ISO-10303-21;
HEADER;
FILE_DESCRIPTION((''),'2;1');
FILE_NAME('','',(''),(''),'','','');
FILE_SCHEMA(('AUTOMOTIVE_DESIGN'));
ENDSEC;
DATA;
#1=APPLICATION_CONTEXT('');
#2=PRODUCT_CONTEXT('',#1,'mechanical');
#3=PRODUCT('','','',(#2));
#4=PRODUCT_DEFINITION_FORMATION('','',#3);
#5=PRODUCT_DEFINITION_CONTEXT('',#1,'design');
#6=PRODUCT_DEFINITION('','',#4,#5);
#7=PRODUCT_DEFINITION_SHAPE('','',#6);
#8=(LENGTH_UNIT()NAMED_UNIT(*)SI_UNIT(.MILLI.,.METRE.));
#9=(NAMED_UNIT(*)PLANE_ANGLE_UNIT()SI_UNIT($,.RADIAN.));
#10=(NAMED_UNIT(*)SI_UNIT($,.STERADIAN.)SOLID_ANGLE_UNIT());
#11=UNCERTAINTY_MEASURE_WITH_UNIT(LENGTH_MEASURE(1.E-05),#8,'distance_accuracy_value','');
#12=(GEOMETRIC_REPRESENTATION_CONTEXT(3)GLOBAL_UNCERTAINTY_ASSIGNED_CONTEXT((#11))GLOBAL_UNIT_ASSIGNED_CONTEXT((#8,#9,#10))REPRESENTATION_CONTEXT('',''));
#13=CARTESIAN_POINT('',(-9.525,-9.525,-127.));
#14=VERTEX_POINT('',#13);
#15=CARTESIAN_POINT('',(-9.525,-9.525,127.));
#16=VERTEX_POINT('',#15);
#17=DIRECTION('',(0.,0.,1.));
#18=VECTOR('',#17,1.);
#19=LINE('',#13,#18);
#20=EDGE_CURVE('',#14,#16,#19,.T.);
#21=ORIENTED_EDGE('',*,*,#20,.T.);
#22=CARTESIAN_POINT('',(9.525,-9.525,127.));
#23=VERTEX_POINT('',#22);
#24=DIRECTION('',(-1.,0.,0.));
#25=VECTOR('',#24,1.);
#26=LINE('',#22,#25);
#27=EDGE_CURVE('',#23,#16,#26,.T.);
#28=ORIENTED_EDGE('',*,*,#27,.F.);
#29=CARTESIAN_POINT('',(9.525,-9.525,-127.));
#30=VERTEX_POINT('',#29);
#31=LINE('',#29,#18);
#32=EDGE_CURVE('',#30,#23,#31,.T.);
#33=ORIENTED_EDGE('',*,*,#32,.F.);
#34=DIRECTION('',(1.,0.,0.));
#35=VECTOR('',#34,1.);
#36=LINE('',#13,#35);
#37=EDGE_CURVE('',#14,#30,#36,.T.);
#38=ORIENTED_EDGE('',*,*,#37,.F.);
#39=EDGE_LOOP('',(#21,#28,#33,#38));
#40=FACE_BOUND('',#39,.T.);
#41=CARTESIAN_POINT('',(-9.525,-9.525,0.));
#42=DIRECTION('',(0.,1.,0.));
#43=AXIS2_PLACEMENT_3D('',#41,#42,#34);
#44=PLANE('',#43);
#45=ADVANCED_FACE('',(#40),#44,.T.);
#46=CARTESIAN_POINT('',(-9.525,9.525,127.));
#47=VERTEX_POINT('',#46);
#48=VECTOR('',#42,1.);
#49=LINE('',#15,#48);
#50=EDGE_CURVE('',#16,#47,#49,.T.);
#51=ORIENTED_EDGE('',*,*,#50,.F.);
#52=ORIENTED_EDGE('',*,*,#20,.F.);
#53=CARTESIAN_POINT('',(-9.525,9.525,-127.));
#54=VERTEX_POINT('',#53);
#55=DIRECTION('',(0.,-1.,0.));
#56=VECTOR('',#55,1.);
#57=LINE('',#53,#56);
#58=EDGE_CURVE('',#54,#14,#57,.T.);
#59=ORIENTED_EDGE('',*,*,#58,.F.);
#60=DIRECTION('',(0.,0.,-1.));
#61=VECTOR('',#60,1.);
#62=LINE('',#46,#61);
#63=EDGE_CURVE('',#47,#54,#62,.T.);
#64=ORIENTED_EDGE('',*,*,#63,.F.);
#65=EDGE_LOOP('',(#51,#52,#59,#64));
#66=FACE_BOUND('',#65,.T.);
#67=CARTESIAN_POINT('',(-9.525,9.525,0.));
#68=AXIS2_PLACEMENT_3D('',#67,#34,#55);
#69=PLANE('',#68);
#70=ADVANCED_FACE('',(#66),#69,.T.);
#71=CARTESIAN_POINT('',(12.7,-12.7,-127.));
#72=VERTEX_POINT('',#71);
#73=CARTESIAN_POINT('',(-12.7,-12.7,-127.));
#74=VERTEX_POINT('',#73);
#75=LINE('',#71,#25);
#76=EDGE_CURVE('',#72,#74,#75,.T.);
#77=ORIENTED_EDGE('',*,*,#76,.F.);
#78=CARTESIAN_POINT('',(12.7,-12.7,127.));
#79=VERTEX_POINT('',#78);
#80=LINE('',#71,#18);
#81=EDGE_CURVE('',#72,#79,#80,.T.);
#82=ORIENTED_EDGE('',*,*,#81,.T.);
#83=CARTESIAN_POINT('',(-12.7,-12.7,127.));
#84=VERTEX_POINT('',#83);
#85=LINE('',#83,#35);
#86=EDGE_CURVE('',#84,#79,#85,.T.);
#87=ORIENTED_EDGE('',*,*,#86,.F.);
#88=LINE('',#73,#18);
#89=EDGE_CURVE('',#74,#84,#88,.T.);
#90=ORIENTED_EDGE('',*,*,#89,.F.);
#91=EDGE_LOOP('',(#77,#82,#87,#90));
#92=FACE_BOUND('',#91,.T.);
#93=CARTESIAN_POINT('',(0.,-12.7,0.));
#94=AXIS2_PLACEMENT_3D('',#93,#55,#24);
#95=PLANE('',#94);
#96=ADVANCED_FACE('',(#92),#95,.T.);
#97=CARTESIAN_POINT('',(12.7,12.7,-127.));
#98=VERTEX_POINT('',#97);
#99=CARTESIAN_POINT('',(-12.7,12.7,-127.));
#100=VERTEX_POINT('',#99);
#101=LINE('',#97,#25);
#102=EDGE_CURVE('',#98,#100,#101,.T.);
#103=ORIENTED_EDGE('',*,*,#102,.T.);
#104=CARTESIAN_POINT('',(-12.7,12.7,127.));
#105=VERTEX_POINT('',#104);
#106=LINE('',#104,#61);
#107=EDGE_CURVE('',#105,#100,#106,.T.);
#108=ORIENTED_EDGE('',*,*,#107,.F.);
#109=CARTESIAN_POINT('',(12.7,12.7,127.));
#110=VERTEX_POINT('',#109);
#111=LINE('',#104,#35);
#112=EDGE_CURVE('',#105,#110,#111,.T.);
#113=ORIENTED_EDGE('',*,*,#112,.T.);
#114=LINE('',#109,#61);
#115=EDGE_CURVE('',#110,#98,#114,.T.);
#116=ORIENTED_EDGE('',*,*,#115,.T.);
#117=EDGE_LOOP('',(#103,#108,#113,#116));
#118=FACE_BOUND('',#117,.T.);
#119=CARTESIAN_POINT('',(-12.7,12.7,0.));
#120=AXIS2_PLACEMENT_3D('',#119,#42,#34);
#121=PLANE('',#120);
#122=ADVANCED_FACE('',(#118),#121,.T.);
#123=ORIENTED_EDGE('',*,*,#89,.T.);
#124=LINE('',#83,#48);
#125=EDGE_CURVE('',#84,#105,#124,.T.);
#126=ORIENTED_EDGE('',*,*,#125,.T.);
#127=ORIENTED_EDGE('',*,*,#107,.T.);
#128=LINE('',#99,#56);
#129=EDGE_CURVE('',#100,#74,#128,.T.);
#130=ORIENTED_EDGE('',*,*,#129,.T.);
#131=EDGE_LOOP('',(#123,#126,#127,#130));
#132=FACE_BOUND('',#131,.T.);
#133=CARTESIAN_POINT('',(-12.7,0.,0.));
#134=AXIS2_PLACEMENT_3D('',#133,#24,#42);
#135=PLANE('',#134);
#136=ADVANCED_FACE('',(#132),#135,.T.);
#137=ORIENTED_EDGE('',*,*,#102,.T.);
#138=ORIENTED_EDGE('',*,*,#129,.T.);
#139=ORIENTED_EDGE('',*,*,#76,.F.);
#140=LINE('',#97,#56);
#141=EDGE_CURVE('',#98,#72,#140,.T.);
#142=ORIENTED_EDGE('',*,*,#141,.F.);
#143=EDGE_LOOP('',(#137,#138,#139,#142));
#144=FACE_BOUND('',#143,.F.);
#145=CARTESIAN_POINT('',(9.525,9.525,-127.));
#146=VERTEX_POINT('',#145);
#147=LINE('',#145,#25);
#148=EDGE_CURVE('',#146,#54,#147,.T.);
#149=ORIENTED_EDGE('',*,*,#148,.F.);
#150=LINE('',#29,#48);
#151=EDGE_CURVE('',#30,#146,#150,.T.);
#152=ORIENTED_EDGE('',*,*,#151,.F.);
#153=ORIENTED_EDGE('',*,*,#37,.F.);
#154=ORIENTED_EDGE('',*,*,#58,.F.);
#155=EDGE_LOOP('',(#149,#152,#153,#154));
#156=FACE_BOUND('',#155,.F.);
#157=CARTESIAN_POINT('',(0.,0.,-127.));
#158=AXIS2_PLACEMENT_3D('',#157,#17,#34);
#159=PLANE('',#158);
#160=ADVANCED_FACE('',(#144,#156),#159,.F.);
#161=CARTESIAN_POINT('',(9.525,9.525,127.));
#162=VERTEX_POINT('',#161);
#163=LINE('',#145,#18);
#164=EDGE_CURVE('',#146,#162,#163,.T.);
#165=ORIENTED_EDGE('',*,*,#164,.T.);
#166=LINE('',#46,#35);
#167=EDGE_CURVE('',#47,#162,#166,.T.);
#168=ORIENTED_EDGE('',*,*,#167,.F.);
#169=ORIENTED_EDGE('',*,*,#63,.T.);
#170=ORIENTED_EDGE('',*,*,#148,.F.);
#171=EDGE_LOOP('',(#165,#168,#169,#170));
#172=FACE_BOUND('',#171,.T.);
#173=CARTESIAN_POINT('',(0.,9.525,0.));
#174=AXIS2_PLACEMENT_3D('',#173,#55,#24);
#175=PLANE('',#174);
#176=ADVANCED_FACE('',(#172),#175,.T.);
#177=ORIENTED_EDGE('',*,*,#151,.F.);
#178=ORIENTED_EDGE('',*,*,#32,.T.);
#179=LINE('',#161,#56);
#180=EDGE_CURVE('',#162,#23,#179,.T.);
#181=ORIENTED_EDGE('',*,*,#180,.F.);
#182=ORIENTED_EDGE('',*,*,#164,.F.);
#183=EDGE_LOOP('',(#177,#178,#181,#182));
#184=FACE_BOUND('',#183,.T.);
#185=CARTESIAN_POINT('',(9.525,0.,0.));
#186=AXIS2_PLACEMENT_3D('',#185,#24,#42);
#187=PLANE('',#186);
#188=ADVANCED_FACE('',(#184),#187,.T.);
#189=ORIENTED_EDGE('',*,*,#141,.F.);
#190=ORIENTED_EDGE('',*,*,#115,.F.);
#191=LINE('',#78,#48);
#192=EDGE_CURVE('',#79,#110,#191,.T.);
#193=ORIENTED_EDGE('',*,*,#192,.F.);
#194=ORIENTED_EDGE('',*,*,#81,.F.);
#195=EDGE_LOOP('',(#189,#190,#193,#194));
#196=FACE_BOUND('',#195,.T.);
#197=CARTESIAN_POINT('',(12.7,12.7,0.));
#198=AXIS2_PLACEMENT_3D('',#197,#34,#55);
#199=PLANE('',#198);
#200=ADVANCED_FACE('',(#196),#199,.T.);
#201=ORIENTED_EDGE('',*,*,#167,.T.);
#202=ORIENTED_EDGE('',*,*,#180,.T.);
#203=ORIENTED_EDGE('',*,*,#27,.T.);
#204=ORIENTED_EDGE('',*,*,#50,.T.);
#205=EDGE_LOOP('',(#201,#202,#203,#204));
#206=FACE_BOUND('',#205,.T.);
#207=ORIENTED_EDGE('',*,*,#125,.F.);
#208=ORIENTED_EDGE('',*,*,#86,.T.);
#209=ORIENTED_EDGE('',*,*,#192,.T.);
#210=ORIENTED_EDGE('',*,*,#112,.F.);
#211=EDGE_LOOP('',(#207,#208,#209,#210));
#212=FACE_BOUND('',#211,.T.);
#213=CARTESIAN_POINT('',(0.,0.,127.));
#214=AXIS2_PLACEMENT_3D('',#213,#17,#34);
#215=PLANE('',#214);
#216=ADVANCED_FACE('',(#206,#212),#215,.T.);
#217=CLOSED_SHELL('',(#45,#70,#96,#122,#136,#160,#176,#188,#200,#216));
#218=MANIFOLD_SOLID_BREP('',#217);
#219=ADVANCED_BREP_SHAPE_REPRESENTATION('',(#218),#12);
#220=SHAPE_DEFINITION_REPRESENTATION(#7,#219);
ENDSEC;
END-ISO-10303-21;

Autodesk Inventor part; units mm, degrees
ref_plane "YZ Plane" through (0, 0, 0) normal (1, 0, 0) x (0, 1, 0)
ref_plane "XZ Plane" through (0, 0, 0) normal (0, 1, 0) x (-1, 0, 0)
ref_plane "XY Plane" through (0, 0, 0) normal (0, 0, 1) x (1, 0, 0)
sketch "Sketch1" plane through (0, 0, 0) normal (0, 0, 1) x (1, 0, 0)
  line L0 (-17.78, 0) -> (17.78, 0) projected
  line L1 (0, -17.78) -> (0, 17.78) projected
  line L2 (-12.7, 12.7) -> (12.7, 12.7)
  line L3 (12.7, 12.7) -> (12.7, -12.7)
  line L4 (12.7, -12.7) -> (-12.7, -12.7)
  line L5 (-12.7, -12.7) -> (-12.7, 12.7)
  line L6 (9.525, 9.525) -> (-9.525, 9.525)
  line L7 (-9.525, 9.525) -> (-9.525, -9.525)
  line L8 (-9.525, -9.525) -> (9.525, -9.525)
  line L9 (9.525, -9.525) -> (9.525, 9.525)
  point P0 (0, 0)
  point P1 (-12.7, 0)
  point P2 (0, 12.7)
  dimension "d0" = 25.4
  dimension "d1" = 3.175
extrude "Extrusion1" add sketch "Sketch1" along normal mid plane 254 contours L5 L2 L1 L6 L7 L0 | L0 L7 L8 L1 L4 L5 | L1 L8 L9 L0 L3 L4 | L2 L3 L0 L9 L6 L1
properties part number "tubing_template_0.125" material "Aluminum-6061"
